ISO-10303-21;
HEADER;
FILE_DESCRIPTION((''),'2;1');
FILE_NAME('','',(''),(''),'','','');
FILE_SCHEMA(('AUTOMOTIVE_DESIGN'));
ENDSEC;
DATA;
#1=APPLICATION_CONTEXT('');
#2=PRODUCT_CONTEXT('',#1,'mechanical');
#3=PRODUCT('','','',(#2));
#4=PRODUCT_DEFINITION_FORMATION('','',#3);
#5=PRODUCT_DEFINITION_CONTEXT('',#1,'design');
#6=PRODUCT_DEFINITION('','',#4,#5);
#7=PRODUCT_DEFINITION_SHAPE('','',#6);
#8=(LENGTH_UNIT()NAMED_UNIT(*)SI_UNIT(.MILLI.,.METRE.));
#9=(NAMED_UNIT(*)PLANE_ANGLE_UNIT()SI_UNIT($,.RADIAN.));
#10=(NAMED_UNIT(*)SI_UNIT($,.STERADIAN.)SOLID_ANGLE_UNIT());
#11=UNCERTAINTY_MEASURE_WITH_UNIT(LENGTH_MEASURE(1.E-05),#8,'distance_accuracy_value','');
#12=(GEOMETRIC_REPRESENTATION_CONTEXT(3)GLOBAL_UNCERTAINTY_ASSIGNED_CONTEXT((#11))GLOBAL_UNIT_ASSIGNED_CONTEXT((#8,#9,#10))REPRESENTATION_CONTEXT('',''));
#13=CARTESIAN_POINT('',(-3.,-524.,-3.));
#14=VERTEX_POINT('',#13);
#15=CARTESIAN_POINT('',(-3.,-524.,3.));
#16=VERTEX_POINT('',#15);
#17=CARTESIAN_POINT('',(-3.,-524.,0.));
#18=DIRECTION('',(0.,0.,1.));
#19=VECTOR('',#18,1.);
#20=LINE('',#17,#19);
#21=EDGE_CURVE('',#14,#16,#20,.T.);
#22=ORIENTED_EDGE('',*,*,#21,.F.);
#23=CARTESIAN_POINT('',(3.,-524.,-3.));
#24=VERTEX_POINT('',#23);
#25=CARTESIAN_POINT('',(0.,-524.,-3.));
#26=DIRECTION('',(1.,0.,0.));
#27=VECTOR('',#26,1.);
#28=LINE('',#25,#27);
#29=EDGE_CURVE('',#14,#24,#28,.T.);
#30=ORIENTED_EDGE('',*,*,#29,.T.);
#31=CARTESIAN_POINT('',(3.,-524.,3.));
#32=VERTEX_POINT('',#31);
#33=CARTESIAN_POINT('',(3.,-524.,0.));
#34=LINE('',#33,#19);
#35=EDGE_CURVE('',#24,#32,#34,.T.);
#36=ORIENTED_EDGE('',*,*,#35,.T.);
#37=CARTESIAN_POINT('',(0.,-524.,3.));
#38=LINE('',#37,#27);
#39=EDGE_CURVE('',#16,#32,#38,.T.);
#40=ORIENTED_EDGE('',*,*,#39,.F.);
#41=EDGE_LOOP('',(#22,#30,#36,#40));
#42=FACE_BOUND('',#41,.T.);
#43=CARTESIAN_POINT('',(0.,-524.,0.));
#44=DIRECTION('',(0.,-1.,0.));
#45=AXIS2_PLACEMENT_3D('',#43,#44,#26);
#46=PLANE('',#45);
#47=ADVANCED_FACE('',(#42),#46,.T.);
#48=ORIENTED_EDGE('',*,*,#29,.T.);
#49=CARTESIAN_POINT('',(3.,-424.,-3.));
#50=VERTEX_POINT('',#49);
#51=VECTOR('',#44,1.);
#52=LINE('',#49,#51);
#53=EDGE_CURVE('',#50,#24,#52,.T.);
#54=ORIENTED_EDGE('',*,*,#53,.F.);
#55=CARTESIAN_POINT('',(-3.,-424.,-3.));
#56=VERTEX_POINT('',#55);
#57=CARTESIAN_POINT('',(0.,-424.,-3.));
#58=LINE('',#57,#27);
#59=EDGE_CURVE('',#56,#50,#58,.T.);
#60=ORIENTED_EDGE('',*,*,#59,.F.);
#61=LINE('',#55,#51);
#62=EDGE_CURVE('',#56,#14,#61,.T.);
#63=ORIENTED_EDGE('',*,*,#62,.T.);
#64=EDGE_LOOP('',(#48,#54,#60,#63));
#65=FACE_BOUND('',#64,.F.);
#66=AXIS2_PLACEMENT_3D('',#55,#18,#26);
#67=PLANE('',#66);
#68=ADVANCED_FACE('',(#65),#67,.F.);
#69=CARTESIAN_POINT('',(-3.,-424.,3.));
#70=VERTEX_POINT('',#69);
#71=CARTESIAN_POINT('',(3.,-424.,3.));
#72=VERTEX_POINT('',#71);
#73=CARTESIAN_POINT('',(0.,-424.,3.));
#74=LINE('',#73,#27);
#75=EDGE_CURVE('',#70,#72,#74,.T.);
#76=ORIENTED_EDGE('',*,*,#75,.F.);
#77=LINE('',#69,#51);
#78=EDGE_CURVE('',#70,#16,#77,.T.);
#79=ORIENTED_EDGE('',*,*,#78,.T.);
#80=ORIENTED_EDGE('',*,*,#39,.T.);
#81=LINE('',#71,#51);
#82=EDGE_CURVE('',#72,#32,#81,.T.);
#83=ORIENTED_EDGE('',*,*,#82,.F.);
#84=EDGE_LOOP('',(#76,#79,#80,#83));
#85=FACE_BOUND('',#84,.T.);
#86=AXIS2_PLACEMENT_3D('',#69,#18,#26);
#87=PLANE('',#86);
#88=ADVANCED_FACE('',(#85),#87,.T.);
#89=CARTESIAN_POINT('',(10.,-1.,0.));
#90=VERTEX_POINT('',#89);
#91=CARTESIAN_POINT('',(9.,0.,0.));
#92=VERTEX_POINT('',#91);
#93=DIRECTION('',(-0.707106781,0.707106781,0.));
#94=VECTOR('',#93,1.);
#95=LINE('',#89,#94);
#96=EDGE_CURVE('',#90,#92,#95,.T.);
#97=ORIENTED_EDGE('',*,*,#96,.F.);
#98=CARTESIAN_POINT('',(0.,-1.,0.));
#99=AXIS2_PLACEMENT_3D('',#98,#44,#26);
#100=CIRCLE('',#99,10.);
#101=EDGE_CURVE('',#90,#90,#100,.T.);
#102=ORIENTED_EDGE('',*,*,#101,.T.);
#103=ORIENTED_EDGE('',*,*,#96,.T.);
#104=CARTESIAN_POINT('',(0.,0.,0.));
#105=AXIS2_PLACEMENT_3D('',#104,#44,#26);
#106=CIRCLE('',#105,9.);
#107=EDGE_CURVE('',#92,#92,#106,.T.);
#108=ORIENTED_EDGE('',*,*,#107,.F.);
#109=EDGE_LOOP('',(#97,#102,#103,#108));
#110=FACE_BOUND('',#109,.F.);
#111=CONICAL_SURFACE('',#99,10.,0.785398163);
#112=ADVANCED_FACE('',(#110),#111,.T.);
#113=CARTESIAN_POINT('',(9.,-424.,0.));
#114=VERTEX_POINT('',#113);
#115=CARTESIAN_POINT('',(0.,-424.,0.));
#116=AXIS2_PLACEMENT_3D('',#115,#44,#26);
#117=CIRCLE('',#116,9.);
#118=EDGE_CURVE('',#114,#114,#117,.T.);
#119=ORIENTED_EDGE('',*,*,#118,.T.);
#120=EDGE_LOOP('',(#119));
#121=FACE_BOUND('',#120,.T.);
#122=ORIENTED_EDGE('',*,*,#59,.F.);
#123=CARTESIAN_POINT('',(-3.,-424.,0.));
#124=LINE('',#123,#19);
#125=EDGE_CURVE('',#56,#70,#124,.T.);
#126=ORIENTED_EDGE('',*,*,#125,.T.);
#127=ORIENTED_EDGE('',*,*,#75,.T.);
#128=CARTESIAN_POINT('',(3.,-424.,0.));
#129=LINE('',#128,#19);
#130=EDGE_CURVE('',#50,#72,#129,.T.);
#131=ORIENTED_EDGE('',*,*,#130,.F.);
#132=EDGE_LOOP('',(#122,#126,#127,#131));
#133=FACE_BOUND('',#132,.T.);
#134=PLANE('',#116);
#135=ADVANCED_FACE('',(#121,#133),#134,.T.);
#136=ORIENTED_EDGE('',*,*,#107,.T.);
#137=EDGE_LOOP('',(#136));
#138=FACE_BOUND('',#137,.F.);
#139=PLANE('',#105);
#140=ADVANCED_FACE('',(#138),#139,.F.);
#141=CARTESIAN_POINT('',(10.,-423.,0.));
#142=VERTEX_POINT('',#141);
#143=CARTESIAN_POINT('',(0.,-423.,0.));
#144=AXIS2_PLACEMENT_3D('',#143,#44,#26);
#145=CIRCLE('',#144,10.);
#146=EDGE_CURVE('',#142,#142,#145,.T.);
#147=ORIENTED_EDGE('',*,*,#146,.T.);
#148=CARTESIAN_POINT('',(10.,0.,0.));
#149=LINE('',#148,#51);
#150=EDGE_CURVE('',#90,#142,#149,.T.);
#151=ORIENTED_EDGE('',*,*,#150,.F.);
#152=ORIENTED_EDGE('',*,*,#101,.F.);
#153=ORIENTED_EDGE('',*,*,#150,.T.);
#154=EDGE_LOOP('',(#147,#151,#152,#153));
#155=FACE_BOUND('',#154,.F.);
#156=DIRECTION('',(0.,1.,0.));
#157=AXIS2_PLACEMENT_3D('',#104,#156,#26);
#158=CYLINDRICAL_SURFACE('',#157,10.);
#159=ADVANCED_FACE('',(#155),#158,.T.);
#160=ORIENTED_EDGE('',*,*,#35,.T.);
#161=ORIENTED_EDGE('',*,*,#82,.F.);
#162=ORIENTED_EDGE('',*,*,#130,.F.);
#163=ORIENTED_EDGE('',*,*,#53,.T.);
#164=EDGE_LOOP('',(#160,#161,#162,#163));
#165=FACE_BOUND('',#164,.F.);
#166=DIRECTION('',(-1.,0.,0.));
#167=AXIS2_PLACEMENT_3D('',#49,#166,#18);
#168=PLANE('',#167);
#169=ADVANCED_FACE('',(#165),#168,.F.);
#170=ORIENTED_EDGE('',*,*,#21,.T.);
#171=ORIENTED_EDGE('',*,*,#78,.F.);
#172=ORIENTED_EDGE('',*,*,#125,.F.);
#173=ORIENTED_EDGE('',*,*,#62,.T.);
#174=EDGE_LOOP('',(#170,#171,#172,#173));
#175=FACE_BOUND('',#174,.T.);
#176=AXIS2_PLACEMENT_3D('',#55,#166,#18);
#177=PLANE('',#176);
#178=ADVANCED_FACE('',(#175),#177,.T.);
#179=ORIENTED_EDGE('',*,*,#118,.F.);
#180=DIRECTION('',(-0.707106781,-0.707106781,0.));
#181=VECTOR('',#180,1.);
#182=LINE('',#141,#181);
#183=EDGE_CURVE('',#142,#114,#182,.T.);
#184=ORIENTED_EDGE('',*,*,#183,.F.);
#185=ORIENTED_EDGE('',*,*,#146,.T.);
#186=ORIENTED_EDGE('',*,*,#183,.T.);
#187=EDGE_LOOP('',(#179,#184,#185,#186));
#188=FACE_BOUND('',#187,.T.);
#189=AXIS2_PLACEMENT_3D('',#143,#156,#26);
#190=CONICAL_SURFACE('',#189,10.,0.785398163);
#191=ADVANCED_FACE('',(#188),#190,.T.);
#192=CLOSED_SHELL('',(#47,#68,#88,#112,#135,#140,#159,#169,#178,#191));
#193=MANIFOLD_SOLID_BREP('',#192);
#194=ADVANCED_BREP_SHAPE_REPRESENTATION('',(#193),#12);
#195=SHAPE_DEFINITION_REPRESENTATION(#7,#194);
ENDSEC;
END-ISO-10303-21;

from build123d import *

# Parameters (mm, degrees)
F0_R     = 10
F1_DEPTH = 424
F2_SIZE  = 1
F3_W     = 6
F3_H     = 6
F4_DEPTH = 100


with BuildPart() as f1:
    # F0 (on Front) → F1 (new body)
    with BuildSketch(Plane.XZ):
        Circle(F0_R)
    extrude(amount=F1_DEPTH)

    # F2
    f2_edges = [f1.edges().sort_by_distance(p)[0] for p in [
        (-10, 0, 0),
        (-10, -424, 0),
    ]]
    chamfer(f2_edges, length=F2_SIZE)

    # F3 (on face) → F4 (join)
    with BuildSketch(Plane.XZ.offset(424)):
        Rectangle(F3_W, F3_H)
    extrude(amount=F4_DEPTH)


solid = f1.part
